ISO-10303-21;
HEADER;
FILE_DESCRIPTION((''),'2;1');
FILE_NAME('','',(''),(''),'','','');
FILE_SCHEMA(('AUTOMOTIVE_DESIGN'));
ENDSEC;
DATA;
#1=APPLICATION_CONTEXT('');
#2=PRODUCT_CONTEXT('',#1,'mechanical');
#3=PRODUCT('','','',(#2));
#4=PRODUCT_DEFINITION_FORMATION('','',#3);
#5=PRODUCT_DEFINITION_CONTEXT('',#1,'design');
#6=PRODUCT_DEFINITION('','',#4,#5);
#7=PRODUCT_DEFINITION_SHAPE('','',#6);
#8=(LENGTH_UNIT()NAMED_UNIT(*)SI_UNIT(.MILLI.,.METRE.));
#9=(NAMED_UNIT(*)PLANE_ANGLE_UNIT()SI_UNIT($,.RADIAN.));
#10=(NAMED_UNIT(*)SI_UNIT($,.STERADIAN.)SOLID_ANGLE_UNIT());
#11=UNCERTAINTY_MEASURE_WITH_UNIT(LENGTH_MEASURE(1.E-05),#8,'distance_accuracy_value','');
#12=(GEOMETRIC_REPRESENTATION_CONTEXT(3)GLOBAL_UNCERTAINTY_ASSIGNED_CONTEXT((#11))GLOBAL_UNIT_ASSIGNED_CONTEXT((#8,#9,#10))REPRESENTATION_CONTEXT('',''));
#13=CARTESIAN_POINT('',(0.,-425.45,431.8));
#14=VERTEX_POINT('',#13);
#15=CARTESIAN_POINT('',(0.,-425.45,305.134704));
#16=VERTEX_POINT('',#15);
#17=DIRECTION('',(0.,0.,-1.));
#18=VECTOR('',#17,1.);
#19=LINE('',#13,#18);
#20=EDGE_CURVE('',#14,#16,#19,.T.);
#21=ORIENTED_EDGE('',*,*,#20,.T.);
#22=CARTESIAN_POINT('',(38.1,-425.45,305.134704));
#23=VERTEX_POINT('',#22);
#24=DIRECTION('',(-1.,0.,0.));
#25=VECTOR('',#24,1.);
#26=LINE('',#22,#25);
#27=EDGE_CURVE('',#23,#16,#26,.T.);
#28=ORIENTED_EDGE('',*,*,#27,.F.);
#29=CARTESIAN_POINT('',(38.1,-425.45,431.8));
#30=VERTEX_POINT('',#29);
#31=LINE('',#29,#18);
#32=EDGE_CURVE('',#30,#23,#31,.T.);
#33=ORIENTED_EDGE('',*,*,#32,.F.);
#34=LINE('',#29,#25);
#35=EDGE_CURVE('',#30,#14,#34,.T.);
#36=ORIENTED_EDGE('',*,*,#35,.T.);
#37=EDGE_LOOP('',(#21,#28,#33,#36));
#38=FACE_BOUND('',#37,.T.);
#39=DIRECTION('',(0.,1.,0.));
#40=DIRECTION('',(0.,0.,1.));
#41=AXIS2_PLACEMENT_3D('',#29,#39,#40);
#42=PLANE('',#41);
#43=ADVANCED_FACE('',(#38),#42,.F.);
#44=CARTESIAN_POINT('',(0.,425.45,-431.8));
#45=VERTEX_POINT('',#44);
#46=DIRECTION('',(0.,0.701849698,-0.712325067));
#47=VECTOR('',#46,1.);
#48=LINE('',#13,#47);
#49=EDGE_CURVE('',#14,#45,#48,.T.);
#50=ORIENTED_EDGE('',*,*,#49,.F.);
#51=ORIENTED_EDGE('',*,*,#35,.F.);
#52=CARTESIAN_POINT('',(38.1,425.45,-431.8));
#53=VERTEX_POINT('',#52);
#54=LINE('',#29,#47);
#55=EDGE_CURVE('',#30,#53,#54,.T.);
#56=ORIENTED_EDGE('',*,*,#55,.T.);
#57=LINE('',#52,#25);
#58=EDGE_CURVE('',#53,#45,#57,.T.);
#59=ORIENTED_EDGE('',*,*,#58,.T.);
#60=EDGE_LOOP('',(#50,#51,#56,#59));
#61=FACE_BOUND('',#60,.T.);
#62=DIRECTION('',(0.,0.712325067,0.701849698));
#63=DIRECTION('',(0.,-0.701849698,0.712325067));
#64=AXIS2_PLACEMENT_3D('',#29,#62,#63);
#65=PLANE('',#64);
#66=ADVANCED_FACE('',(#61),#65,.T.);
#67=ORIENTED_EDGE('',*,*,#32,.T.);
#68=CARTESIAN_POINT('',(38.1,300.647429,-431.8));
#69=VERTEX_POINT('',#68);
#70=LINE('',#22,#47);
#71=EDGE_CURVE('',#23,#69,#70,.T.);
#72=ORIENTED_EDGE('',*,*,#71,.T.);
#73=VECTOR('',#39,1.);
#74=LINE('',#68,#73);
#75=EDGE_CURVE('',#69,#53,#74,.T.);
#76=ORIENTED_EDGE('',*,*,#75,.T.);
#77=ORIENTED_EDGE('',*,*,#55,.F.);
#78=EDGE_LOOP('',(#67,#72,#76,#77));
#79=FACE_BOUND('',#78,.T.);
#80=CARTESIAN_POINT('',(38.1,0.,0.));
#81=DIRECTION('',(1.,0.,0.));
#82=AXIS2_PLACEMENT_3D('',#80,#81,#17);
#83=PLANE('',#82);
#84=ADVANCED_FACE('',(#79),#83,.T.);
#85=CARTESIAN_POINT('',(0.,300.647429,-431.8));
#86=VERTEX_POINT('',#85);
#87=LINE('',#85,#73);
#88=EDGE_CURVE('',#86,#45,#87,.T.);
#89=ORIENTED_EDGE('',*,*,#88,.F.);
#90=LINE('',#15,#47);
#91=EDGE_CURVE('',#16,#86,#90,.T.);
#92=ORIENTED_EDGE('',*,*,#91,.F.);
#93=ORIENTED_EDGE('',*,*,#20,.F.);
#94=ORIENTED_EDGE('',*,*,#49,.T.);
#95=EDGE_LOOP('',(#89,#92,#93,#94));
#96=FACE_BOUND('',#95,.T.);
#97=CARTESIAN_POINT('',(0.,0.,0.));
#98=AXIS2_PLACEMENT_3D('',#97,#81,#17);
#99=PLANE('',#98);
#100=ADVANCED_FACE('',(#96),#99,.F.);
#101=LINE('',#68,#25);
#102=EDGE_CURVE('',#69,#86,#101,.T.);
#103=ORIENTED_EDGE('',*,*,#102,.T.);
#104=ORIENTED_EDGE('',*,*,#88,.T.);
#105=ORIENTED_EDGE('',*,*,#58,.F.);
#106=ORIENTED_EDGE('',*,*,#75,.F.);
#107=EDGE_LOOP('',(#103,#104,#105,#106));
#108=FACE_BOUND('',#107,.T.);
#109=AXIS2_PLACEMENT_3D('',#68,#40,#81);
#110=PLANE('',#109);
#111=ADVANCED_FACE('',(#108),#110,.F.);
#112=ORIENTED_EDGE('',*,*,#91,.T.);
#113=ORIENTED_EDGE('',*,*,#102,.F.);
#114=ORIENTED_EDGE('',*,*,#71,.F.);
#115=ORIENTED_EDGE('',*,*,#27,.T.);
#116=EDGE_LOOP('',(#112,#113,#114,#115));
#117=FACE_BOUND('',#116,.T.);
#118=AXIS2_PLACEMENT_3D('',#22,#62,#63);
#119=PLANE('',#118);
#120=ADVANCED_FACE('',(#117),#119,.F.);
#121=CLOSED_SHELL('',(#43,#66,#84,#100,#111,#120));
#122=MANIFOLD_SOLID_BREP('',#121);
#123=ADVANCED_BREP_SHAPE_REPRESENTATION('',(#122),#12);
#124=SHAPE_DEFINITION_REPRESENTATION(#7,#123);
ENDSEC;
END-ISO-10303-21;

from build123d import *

# Parameters (mm, degrees)
BOSS_EXTRUDE1_DEPTH = 38.1


with BuildPart() as part:
    # Sketch1 → Boss-Extrude1 (new body)
    with BuildSketch(Plane(origin=(0, 0, 0), x_dir=(0, 0, -1), z_dir=(1, 0, 0))):
        Polygon((-431.8, -425.45), (-305.134703691, -425.45), (431.8, 300.647428637), (431.8, 425.45), align=None)
    extrude(amount=BOSS_EXTRUDE1_DEPTH)


solid = part.part
